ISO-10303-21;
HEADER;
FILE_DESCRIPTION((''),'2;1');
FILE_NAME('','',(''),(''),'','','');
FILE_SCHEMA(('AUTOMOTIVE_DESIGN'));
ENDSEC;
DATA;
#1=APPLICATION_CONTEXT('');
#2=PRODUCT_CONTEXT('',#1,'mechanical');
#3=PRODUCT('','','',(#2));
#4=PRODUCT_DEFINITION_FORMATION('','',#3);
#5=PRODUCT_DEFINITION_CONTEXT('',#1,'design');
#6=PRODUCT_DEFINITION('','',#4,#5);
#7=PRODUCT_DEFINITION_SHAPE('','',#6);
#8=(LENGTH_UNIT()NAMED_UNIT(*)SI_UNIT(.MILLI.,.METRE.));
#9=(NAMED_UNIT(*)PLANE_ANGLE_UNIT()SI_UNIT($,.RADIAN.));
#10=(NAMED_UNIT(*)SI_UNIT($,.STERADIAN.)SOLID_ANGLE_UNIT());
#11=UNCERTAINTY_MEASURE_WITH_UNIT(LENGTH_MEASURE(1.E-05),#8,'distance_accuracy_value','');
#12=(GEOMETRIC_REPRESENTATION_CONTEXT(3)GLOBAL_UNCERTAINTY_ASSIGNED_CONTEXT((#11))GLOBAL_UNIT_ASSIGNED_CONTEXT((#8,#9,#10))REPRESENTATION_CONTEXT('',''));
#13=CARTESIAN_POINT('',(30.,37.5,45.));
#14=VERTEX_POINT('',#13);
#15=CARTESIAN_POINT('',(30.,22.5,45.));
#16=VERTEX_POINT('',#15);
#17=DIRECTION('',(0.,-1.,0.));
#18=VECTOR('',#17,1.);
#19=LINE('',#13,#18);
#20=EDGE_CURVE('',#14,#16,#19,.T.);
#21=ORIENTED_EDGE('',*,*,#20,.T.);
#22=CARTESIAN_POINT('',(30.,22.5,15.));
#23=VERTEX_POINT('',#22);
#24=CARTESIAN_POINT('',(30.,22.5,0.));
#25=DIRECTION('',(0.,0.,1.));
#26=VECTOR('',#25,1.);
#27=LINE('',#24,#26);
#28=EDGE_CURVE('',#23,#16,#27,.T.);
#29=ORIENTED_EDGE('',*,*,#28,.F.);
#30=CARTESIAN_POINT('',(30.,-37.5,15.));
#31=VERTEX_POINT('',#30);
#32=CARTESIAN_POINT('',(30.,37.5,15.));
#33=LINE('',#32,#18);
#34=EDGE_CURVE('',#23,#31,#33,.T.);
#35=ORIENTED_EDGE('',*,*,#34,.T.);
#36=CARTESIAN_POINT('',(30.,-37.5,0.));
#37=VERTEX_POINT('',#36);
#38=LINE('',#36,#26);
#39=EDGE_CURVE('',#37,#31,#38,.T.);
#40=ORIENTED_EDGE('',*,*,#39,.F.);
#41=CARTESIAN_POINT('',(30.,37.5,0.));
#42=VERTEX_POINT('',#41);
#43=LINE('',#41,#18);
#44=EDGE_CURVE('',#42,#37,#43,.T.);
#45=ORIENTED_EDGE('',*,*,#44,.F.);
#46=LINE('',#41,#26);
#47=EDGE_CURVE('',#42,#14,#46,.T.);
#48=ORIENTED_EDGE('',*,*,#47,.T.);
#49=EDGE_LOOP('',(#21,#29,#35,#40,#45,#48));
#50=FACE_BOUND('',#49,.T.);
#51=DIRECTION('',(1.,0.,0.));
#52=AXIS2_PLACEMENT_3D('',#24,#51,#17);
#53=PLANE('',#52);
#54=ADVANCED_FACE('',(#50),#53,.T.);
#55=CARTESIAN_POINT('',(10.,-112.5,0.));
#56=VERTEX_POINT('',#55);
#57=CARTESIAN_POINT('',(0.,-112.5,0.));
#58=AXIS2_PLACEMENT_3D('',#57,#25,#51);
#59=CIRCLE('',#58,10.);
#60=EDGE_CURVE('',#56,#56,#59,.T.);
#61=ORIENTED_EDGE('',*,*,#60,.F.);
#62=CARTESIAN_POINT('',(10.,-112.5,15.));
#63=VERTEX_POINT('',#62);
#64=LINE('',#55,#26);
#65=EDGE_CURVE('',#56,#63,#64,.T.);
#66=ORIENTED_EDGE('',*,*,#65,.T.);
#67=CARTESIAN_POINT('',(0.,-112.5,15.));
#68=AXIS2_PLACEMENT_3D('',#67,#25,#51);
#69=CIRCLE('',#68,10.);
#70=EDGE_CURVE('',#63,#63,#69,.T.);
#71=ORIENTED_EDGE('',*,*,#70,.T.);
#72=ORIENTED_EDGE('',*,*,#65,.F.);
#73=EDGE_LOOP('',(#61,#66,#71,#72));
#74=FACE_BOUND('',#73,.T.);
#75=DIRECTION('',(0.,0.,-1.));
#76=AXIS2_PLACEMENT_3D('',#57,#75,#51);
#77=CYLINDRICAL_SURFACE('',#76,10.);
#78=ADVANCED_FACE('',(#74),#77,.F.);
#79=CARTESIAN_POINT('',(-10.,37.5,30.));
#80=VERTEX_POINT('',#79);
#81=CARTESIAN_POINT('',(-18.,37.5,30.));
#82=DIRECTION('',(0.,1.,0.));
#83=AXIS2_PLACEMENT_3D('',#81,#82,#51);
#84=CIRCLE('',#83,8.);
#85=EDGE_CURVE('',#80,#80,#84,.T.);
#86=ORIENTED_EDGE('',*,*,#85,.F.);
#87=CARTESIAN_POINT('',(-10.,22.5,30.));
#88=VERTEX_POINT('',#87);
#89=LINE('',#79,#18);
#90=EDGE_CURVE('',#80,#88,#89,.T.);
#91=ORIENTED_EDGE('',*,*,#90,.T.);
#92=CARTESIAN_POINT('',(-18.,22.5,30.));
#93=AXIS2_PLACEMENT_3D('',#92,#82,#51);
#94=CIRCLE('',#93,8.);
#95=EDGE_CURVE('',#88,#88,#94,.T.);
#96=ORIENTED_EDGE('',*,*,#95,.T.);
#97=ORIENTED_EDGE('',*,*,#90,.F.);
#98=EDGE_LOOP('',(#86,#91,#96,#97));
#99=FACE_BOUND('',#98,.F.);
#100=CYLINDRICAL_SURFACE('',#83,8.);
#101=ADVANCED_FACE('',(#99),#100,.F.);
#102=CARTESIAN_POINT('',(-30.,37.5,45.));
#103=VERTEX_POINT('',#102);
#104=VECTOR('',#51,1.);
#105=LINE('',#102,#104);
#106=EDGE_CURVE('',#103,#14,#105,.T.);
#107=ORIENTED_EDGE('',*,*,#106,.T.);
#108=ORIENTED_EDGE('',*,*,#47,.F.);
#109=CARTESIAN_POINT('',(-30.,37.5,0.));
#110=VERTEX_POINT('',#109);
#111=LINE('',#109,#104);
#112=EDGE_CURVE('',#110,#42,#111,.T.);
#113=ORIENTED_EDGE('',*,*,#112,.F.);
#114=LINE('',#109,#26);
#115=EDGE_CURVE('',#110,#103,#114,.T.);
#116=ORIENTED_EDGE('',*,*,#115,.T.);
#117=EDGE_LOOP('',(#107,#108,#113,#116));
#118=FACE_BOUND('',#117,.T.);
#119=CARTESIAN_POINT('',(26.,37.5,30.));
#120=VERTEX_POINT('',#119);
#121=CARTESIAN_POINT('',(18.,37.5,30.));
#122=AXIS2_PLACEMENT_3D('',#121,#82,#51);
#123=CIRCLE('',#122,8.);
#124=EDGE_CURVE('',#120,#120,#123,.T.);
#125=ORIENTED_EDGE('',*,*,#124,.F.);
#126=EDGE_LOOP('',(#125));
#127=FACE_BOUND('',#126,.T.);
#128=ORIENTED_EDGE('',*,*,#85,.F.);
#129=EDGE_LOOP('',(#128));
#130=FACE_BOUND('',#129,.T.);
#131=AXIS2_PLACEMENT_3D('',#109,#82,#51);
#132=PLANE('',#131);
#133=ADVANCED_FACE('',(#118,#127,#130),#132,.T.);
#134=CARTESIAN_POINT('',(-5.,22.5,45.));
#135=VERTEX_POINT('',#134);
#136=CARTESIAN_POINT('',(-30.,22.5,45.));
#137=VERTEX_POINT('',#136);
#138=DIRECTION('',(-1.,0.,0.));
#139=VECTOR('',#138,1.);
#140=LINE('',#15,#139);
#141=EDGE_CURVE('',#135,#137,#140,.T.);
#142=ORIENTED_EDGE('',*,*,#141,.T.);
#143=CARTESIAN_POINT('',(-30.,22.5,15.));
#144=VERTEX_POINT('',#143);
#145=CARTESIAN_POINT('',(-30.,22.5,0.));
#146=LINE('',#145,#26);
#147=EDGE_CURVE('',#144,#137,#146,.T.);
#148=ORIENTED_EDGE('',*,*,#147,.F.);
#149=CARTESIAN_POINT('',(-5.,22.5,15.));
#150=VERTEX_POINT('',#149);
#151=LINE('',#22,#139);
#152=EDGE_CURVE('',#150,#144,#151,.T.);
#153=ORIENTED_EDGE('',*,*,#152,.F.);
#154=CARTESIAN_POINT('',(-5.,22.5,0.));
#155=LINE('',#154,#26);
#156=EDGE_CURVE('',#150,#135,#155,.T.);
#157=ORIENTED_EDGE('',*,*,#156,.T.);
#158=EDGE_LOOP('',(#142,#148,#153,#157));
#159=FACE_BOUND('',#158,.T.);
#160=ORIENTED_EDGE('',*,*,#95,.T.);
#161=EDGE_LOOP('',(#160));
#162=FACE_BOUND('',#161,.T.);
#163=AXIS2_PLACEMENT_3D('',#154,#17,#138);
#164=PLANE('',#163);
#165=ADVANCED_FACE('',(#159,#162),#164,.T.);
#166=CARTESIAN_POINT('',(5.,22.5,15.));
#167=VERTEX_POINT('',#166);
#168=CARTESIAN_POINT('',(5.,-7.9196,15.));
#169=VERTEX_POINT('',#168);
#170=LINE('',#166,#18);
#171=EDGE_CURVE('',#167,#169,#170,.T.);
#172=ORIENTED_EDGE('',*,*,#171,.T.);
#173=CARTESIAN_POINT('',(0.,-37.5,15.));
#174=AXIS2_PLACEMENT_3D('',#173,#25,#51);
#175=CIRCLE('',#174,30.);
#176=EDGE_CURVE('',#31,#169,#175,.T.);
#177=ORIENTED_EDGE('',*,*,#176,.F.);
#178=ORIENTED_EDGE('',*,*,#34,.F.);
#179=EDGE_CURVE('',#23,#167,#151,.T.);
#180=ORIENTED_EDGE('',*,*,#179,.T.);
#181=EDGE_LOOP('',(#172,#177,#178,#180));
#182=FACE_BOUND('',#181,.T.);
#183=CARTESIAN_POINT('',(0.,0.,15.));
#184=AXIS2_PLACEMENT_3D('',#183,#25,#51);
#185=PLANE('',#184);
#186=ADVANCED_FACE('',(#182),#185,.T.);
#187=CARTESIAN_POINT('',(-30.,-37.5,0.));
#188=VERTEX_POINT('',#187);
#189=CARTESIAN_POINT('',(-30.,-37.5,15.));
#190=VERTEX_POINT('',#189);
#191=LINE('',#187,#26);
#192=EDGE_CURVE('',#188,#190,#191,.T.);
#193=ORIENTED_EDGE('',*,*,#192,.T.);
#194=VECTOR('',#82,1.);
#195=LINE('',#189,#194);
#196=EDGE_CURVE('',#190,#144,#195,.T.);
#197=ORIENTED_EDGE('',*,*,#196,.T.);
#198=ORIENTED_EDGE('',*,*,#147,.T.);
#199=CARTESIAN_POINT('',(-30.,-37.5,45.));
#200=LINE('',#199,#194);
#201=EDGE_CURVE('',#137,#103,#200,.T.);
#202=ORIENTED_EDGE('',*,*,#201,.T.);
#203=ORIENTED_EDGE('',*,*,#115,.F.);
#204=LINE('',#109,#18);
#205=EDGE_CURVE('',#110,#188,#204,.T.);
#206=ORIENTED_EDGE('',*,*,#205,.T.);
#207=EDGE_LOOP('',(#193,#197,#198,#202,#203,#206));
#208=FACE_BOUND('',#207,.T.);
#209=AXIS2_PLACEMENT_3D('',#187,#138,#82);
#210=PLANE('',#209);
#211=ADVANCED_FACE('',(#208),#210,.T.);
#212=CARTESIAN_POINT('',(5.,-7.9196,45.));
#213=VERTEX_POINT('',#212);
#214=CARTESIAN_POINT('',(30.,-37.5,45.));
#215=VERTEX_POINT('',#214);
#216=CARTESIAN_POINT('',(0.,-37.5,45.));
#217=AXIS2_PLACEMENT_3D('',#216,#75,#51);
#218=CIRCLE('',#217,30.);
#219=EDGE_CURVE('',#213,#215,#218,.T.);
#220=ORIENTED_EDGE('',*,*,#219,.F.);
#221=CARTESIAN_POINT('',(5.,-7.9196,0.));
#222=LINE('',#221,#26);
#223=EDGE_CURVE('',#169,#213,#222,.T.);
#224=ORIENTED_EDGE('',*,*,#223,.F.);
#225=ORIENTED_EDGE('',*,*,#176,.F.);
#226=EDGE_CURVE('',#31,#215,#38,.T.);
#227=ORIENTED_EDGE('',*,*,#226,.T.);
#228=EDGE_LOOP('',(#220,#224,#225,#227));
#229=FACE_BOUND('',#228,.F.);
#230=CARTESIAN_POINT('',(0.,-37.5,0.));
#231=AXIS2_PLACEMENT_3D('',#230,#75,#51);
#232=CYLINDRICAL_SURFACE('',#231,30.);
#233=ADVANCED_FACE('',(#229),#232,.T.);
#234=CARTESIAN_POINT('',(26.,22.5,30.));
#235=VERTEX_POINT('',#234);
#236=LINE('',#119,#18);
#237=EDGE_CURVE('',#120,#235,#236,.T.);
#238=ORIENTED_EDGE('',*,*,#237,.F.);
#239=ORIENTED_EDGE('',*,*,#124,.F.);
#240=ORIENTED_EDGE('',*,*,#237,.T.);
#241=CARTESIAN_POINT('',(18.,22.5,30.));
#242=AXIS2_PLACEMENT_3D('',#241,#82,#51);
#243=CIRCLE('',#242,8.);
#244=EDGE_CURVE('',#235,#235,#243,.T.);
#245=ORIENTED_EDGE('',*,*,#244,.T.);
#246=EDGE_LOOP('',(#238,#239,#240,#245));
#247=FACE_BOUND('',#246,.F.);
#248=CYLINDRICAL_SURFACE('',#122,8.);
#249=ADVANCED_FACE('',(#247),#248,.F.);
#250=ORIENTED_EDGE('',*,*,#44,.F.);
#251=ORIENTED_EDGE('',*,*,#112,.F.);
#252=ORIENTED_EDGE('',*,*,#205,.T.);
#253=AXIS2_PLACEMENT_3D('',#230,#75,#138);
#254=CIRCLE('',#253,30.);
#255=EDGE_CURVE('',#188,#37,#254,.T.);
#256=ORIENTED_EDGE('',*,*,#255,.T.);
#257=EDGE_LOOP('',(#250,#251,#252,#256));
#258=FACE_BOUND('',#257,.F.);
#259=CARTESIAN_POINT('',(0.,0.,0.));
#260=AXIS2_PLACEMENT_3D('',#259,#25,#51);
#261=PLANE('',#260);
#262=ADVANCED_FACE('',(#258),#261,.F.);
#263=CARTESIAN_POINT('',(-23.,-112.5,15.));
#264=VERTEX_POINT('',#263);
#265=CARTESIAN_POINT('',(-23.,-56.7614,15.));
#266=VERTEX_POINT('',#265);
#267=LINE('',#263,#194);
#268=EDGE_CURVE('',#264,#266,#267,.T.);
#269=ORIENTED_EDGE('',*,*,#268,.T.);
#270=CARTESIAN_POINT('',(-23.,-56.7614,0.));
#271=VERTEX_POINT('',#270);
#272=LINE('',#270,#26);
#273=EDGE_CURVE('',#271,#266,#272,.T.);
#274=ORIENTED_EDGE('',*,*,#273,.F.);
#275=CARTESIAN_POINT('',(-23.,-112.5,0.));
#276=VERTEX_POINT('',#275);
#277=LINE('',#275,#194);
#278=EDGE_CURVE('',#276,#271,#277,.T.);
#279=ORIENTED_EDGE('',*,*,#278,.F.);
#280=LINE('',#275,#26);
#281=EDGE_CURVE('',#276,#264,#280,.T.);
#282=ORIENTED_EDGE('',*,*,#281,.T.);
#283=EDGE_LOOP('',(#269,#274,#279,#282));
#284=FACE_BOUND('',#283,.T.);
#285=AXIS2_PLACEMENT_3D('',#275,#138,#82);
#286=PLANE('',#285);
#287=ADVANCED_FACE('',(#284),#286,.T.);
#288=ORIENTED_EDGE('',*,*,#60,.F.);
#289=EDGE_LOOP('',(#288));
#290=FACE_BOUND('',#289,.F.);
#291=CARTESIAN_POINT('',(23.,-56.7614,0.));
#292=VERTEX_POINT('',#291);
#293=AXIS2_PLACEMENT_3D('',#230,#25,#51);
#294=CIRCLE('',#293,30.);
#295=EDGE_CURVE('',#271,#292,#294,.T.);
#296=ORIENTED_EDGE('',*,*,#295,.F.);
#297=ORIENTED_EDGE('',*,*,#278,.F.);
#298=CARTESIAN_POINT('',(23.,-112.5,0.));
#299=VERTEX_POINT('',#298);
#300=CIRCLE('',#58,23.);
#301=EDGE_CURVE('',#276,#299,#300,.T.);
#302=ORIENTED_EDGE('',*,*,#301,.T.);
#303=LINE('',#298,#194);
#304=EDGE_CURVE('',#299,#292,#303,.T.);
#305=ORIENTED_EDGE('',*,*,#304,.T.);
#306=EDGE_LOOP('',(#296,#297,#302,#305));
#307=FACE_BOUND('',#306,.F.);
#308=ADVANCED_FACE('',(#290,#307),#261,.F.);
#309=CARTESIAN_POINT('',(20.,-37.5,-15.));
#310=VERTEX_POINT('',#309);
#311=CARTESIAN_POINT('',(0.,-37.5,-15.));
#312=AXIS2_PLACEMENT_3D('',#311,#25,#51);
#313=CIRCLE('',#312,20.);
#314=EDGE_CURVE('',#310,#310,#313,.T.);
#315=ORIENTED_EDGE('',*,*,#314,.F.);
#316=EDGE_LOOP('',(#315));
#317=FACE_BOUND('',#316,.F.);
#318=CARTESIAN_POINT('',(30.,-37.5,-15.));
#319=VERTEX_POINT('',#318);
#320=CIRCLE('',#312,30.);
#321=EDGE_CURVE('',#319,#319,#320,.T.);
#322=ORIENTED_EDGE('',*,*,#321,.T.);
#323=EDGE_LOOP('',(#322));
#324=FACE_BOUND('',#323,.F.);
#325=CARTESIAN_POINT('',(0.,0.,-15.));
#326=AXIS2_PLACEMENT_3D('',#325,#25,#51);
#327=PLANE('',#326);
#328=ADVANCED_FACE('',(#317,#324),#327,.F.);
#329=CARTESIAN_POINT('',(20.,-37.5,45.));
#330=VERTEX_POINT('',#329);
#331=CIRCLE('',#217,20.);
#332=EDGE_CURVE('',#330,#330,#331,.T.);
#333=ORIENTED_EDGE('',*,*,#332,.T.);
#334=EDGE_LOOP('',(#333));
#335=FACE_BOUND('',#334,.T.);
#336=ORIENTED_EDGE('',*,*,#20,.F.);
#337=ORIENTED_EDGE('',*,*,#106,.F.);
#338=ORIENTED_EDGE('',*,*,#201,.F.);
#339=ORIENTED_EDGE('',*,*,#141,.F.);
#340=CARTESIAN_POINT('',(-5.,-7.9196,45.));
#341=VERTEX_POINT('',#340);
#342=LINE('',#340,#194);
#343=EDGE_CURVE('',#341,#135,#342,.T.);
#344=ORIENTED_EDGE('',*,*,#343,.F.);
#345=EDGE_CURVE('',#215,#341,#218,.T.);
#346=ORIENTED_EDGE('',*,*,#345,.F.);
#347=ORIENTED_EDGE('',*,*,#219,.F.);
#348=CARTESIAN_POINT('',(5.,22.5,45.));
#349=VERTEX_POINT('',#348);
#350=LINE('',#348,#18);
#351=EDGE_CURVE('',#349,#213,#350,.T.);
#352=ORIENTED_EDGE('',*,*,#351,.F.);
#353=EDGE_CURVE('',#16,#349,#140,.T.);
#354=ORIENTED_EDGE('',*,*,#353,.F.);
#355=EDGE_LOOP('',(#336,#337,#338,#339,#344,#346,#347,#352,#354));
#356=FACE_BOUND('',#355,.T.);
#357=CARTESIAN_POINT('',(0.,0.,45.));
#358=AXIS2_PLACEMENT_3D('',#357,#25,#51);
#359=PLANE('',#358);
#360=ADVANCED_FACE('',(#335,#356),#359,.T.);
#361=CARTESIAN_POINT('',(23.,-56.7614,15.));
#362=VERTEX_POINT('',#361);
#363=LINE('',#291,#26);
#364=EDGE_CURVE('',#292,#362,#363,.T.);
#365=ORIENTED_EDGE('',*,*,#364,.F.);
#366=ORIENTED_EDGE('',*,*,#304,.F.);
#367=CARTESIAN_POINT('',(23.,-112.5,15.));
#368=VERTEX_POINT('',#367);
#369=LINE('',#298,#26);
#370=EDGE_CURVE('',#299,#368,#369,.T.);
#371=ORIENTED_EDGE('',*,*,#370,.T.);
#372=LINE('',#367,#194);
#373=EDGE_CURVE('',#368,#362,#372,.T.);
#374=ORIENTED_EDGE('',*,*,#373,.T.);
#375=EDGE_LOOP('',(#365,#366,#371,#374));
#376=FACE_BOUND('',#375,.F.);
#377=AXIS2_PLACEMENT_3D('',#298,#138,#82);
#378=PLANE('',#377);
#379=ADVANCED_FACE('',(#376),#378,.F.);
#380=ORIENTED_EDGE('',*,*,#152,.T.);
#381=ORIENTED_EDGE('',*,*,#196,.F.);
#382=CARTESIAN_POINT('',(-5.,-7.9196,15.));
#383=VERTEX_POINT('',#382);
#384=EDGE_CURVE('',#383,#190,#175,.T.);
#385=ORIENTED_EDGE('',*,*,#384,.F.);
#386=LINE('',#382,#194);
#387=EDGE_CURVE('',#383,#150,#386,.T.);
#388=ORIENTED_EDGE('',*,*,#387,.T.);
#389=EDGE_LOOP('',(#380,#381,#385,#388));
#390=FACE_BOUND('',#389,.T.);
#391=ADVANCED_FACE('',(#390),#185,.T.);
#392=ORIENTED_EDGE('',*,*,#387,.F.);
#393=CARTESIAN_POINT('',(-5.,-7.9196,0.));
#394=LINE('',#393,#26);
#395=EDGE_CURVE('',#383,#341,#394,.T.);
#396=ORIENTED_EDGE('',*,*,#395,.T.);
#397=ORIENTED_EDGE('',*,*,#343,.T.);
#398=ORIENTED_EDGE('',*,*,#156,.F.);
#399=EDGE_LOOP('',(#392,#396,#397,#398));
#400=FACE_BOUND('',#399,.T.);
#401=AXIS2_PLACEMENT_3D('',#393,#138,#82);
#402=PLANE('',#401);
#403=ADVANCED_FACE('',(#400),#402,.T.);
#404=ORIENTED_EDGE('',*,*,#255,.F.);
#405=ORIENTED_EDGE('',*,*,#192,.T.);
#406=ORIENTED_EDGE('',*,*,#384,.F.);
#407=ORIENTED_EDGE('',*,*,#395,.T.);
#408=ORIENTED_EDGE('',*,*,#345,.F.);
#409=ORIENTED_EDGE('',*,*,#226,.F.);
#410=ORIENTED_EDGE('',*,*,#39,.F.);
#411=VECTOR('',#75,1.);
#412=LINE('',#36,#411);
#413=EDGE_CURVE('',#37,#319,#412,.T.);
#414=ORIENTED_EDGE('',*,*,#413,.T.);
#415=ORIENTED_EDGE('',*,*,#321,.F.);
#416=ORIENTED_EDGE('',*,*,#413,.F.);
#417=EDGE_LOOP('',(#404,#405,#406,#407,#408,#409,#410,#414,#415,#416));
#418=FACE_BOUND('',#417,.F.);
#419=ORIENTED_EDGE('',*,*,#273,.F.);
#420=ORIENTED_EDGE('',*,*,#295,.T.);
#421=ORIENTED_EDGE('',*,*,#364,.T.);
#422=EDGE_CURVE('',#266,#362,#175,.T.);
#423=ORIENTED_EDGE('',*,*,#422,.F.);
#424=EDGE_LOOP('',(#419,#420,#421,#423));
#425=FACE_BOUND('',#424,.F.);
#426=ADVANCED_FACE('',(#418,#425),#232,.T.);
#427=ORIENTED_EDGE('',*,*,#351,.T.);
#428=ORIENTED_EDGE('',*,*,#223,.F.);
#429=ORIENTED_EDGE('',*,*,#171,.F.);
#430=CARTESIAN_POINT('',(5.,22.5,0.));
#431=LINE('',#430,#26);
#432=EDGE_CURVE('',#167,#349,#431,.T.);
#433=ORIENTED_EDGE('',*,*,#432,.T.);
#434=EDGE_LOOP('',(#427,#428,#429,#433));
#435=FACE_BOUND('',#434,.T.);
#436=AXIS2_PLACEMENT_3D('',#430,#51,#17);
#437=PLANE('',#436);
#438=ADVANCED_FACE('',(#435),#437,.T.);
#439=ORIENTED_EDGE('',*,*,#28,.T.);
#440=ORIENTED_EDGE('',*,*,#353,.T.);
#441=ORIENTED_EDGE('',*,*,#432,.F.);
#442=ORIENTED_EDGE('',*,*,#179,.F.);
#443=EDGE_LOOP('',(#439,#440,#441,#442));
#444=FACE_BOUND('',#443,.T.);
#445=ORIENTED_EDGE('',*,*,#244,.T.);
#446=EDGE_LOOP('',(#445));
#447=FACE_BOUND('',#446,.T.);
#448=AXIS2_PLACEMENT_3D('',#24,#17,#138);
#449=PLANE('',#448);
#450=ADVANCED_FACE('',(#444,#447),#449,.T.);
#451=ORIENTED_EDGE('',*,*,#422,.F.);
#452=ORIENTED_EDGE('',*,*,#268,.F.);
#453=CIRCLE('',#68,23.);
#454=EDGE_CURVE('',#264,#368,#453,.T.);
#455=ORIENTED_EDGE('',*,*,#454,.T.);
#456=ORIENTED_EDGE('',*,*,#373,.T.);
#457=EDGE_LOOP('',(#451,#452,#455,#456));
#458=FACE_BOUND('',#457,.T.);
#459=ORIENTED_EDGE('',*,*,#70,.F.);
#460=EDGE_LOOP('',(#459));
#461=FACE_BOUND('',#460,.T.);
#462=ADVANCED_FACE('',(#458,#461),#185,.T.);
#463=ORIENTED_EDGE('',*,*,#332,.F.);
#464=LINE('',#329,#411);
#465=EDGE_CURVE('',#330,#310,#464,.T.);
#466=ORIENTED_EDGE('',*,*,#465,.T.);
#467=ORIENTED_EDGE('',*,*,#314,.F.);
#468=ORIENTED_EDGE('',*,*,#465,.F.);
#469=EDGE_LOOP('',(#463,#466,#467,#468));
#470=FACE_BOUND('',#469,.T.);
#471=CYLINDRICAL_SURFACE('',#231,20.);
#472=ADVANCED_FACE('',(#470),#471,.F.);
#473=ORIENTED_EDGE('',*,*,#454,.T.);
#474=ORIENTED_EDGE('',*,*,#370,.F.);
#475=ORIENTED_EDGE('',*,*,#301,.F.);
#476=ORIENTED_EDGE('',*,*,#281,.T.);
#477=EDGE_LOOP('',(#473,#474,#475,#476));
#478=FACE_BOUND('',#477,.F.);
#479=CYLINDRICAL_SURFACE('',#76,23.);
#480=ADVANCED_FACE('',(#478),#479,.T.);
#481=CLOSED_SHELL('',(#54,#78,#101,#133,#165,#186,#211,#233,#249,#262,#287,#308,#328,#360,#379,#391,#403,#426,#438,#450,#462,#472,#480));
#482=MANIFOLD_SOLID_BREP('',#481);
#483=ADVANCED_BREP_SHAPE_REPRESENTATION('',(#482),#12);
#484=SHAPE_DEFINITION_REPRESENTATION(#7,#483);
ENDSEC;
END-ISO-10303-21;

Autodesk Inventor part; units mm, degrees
ref_plane "YZ Plane" through (0, 0, 0) normal (1, 0, 0) x (0, 1, 0)
ref_plane "XZ Plane" through (0, 0, 0) normal (0, 1, 0) x (-1, 0, 0)
ref_plane "XY Plane" through (0, 0, 0) normal (0, 0, 1) x (1, 0, 0)
sketch "Sketch1" plane through (0, 0, 0) normal (0, 0, 1) x (1, 0, 0)
  line L0 (-30, 37.5) -> (30, 37.5)
  line L1 (30, 37.5) -> (30, -37.5)
  line L2 (30, -37.5) -> (-30, -37.5)
  line L3 (-30, -37.5) -> (-30, 37.5)
  line L4 (-30, 37.5) -> (30, -37.5) construction
  line L5 (30, 37.5) -> (-30, -37.5) construction
  circle A0 centre (0, -37.5) radius 30
  circle A1 centre (0, -37.5) radius 20
  circle A2 centre (0, -112.5) radius 23
  circle A3 centre (0, -112.5) radius 10
  line L6 (-23, -112.5) -> (-23, -56.7614)
  line L7 (23, -112.5) -> (23, -56.7614)
  line L8 (-30, 37.5) -> (30, 37.5)
  line L9 (30, 37.5) -> (30, 22.5)
  line L10 (30, 22.5) -> (-30, 22.5)
  line L11 (-30, 22.5) -> (-30, 37.5)
  line L12 (-5, 22.5) -> (5, 22.5)
  line L13 (5, 22.5) -> (5, -7.9196)
  line L14 (-5, -7.9196) -> (-5, 22.5)
  point P0 (0, 0)
  dimension "d0" = 60
  dimension "d1" = 75
  dimension "d2" = 60
  dimension "d3" = 40
  dimension "d4" = 46
  dimension "d5" = 20
  dimension "d6" = 75
  dimension "d7" = 15
  dimension "d9" = 25
extrude "Extrusion1" add sketch "Sketch1" along normal blind 15 contours L10 L14 A0 L3 | L1 A0 L13 L10 | A0 L7 A2 L6 | A2
extrude "Extrusion2" add sketch "Sketch1" along normal blind 45 contours L0 L1 L10 L3 | L10 L13 A0 L14
extrude "Extrusion3" add sketch "Sketch1" along normal blind 45 and the other way blind 15 contours A0 L2 A1 | L2 A1 A0
sketch "Sketch2" plane through (-30, 22.5, 15) normal (0, -1, 0) x (1, 0, 0)
  point P0 (30, -15)
sketch "Sketch3" plane through (-30, 22.5, 15) normal (0, -1, 0) x (1, 0, 0)
  point P0 (30, -15)
sketch "Sketch4" plane through (-30, 37.5, 0) normal (0, 1, 0) x (1, 0, 0)
  circle A0 centre (12, -30) radius 8
  line L0 (0, 0) -> (0, -45) projected
  line L1 (60, -45) -> (0, -45) projected
  circle A1 centre (48, -30) radius 8
  point P0 (30, 0)
  dimension "d18" = 16
  dimension "d19" = 12
  dimension "d20" = 15
extrude "Extrusion4" cut sketch "Sketch4" against normal blind 15
properties part number "cad@71"
